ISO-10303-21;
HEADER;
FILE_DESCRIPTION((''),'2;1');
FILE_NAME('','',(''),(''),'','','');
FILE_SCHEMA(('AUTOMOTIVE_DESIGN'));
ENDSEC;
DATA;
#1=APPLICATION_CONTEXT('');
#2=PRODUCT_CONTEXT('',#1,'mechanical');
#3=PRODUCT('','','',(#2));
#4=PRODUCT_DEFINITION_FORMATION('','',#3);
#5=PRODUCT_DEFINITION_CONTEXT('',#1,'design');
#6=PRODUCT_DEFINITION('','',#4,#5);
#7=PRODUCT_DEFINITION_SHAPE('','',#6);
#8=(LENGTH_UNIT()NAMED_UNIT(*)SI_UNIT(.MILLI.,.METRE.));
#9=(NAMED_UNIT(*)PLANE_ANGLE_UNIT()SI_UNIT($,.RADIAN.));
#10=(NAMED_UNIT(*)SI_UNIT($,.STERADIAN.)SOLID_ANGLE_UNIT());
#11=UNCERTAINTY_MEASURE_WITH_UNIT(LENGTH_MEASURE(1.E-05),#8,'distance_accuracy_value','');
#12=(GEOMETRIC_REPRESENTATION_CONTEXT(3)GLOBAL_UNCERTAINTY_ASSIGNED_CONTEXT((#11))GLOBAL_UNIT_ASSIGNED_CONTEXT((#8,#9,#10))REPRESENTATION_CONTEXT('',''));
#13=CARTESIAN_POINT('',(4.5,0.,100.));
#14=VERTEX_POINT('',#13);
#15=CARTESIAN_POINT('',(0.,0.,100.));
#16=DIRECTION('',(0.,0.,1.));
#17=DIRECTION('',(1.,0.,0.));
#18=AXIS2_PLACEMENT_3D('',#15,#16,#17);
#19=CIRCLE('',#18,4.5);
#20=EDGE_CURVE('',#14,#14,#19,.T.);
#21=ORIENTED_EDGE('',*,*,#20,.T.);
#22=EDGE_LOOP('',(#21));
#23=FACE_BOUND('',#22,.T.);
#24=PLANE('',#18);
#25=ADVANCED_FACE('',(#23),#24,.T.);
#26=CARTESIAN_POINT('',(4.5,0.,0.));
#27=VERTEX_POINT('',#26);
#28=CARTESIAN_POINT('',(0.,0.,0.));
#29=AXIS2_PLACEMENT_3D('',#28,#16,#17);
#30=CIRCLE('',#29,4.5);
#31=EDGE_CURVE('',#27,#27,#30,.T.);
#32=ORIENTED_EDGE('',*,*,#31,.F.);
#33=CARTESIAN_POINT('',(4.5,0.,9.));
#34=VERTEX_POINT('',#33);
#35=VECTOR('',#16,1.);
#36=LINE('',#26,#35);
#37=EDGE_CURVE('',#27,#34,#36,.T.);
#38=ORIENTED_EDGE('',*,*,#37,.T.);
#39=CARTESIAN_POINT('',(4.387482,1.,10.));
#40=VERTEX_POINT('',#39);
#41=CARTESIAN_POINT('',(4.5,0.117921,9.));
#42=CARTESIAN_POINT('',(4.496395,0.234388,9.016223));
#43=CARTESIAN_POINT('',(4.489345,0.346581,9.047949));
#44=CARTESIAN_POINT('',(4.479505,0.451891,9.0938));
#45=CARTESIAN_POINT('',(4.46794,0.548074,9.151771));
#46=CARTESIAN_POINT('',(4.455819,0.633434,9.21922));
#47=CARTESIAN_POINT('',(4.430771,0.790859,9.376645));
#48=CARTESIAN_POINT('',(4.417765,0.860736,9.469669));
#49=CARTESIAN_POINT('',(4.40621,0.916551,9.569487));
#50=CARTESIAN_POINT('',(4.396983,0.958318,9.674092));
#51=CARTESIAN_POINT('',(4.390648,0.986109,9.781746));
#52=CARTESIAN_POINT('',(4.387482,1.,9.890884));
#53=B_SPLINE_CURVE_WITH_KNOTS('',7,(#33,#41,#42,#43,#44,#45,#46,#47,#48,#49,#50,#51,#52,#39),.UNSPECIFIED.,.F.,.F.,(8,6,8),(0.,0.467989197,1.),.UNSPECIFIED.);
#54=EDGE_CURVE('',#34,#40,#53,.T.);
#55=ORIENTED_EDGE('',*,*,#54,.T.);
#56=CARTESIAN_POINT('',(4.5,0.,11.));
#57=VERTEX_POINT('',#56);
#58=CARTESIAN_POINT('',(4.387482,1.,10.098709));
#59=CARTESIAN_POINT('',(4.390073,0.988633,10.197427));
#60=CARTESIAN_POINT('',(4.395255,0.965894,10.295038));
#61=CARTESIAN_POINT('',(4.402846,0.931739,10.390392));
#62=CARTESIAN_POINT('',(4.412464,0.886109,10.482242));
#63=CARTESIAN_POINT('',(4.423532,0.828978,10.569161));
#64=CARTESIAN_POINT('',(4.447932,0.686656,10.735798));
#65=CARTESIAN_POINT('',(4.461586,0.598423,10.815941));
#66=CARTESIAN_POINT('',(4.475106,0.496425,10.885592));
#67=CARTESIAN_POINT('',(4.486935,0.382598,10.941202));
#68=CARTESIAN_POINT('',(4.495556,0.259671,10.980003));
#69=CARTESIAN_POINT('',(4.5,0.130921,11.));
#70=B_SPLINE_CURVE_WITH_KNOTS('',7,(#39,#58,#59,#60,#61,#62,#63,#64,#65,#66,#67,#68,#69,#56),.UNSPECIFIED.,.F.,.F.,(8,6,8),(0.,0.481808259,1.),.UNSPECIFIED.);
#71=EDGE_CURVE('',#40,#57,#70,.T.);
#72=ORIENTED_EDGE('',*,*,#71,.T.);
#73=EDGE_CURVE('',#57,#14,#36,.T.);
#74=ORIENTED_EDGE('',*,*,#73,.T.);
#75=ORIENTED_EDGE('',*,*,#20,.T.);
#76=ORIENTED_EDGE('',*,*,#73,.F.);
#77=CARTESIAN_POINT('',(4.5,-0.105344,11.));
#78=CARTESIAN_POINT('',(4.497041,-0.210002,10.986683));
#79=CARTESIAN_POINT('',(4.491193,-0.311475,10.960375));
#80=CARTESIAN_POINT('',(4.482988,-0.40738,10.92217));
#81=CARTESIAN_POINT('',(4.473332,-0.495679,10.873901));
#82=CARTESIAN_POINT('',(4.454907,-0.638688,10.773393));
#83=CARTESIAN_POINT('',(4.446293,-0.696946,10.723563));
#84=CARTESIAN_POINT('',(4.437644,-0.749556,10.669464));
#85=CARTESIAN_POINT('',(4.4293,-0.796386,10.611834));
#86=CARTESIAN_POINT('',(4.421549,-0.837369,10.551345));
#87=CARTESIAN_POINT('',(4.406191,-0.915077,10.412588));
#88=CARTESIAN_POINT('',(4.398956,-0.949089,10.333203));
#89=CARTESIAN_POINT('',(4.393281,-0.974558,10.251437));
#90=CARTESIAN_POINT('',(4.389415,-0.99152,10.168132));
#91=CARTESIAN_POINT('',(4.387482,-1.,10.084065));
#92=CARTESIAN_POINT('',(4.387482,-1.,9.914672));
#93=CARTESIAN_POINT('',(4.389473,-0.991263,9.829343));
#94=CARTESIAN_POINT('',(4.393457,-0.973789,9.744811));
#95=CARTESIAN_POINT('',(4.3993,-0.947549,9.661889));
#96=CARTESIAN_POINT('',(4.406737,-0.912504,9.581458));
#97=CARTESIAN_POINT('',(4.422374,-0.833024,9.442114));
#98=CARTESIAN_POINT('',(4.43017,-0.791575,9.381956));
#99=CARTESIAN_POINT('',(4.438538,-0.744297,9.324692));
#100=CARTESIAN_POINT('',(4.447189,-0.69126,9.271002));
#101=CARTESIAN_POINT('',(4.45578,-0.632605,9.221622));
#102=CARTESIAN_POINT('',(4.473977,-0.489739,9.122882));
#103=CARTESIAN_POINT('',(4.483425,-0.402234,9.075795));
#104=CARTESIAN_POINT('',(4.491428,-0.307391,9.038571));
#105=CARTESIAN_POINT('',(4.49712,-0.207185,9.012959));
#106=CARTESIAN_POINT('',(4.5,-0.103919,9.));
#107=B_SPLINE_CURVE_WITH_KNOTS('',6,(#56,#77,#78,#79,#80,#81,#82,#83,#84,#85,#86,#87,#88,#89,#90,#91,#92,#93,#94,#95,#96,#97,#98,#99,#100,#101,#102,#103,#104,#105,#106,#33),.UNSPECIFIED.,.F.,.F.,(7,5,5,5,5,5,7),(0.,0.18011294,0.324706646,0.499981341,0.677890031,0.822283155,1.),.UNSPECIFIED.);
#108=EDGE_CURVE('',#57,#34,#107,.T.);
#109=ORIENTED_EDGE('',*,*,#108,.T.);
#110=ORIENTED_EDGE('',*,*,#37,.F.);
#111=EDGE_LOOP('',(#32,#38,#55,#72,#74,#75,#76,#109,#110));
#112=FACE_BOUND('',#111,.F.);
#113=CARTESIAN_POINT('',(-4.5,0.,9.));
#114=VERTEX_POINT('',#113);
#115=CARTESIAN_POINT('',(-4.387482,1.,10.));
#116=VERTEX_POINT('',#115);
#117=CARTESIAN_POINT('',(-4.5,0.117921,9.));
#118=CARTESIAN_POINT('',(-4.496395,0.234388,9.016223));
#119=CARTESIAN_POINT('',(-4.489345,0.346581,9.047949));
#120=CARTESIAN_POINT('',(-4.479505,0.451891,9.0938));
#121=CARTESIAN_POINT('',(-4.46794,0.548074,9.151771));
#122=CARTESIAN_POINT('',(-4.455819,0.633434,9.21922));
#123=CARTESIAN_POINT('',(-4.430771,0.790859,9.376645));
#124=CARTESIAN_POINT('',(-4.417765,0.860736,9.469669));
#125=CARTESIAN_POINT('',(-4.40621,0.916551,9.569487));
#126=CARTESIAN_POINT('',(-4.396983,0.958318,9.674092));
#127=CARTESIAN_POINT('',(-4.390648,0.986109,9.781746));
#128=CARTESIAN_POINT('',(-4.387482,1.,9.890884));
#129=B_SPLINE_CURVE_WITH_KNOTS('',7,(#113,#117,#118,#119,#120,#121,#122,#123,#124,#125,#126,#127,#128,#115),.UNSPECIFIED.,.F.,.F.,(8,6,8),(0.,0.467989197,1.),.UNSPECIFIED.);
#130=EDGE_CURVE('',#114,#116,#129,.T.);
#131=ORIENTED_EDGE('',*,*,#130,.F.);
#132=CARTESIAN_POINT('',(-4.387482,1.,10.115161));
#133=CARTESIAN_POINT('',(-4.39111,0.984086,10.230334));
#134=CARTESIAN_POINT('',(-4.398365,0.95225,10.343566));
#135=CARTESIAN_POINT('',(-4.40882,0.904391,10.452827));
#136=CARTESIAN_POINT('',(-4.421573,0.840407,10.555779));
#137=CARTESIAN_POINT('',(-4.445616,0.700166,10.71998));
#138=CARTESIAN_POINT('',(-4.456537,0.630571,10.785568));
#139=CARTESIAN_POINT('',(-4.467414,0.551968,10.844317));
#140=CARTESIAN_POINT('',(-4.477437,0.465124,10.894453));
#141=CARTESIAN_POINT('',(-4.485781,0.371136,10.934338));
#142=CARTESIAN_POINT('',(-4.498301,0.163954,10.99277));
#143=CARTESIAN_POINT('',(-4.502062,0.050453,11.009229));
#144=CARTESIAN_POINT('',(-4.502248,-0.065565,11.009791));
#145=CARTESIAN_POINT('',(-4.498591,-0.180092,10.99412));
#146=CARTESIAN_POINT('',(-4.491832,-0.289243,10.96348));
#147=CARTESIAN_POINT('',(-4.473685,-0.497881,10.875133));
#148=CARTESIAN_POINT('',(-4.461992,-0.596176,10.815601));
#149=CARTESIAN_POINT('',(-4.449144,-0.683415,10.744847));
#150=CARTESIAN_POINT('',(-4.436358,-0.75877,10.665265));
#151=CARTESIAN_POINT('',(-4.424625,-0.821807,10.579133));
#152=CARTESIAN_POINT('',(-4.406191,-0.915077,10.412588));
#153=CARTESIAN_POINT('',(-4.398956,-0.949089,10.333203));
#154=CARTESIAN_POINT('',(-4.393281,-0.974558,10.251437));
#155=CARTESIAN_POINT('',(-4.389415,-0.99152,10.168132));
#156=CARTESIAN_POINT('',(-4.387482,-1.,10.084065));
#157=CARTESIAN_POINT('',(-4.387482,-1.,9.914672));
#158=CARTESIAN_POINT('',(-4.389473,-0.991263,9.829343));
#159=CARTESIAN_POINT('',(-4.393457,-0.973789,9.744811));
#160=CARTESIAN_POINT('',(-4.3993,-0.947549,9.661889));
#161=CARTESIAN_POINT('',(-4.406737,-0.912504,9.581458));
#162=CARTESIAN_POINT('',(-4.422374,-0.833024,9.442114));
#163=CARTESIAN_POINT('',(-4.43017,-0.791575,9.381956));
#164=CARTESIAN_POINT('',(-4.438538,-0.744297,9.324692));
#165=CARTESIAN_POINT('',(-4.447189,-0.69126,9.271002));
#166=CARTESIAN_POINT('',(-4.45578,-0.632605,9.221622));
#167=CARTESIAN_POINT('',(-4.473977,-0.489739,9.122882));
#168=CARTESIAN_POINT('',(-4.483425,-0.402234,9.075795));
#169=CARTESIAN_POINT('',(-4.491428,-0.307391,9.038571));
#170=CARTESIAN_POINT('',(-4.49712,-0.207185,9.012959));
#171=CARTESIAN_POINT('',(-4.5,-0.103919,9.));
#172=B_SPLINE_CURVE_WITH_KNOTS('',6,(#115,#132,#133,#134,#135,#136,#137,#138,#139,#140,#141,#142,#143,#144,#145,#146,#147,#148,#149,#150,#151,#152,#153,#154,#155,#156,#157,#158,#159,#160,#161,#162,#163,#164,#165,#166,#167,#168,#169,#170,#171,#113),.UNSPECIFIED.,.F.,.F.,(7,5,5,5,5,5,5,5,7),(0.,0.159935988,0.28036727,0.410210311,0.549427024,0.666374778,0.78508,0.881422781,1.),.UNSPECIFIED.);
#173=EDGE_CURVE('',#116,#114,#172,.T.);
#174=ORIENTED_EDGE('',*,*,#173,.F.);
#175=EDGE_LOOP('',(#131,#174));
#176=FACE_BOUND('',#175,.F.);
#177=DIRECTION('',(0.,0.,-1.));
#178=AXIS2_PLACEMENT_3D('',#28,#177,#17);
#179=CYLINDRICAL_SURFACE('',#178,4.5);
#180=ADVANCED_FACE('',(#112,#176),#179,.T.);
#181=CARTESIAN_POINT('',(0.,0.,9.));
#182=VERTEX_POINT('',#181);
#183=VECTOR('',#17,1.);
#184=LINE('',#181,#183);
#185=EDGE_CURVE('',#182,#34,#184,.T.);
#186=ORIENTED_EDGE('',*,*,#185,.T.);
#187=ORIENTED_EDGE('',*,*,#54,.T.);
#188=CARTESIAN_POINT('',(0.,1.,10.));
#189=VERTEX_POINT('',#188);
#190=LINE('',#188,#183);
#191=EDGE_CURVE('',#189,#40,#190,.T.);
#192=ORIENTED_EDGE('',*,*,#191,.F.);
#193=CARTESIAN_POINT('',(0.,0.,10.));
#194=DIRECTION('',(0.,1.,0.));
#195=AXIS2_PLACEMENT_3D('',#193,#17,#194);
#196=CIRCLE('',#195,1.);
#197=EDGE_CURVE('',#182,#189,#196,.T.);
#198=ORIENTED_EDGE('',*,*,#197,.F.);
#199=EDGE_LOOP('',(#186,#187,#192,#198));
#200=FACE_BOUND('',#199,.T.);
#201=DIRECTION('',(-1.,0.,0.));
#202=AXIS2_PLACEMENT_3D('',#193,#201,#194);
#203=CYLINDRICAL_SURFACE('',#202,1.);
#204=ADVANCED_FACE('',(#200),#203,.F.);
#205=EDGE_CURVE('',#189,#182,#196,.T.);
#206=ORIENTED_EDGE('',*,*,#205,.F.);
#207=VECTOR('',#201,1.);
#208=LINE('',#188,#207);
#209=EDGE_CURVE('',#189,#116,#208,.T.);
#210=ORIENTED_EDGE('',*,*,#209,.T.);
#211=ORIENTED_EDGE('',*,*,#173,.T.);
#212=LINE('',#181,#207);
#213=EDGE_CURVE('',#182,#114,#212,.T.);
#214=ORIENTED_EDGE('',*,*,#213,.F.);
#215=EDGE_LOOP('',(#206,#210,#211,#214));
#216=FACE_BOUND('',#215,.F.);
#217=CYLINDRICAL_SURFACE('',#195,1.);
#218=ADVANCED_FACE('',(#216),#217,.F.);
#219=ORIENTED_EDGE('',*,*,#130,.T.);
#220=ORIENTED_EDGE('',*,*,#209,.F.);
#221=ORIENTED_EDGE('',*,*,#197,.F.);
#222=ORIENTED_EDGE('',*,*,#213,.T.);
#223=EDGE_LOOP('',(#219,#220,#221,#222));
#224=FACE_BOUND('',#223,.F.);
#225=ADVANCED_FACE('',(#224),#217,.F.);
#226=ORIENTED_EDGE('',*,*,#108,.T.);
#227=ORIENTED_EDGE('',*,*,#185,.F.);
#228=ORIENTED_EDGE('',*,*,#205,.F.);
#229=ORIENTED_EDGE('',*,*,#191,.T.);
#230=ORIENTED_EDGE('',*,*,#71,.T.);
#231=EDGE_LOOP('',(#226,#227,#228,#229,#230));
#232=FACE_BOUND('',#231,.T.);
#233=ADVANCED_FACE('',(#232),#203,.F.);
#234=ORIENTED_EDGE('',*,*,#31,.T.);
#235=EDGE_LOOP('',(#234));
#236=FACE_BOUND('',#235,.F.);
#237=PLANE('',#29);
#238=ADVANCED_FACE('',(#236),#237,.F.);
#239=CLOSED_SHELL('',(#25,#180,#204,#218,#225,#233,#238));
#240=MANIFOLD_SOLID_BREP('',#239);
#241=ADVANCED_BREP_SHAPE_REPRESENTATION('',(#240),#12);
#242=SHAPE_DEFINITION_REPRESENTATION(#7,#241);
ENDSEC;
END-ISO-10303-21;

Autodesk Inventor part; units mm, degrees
ref_plane "YZ Plane" through (0, 0, 0) normal (1, 0, 0) x (0, 1, 0)
ref_plane "XZ Plane" through (0, 0, 0) normal (0, 1, 0) x (-1, 0, 0)
ref_plane "XY Plane" through (0, 0, 0) normal (0, 0, 1) x (1, 0, 0)
sketch "Sketch1" plane through (0, 0, 0) normal (0, 0, 1) x (1, 0, 0)
  circle A0 centre (0, 0) radius 4.5
  dimension "d0" = 9
extrude "Extrusion1" add sketch "Sketch1" along normal blind 100
sketch "Sketch2" plane through (0, 0, 0) normal (1, 0, 0) x (0, 1, 0)
  line L0 (0, 0) -> (0, 1)
  line L1 (0, 0) -> (0, 6.35)
  line L2 (0, 0) -> (-10, 0)
  line L3 (-4.5, 0) -> (4.5, 0) projected
  line L4 (0, 0) -> (0, 9.525)
  line L5 (0, 9.525) -> (0, 0)
  line L6 (0, 0) -> (0, 10)
  circle A0 centre (0, 10) radius 1
  dimension "d3" = 1
  dimension "d4" = 10
  dimension "d5" = 10
  dimension "d6" = 2
extrude "Extrusion2" cut sketch "Sketch2" along normal through all both and the other way through all
thread "Thread1" size "M9x1.25" class "6g" standard "ANSI Metric M Profile" full length
properties part number "1"
